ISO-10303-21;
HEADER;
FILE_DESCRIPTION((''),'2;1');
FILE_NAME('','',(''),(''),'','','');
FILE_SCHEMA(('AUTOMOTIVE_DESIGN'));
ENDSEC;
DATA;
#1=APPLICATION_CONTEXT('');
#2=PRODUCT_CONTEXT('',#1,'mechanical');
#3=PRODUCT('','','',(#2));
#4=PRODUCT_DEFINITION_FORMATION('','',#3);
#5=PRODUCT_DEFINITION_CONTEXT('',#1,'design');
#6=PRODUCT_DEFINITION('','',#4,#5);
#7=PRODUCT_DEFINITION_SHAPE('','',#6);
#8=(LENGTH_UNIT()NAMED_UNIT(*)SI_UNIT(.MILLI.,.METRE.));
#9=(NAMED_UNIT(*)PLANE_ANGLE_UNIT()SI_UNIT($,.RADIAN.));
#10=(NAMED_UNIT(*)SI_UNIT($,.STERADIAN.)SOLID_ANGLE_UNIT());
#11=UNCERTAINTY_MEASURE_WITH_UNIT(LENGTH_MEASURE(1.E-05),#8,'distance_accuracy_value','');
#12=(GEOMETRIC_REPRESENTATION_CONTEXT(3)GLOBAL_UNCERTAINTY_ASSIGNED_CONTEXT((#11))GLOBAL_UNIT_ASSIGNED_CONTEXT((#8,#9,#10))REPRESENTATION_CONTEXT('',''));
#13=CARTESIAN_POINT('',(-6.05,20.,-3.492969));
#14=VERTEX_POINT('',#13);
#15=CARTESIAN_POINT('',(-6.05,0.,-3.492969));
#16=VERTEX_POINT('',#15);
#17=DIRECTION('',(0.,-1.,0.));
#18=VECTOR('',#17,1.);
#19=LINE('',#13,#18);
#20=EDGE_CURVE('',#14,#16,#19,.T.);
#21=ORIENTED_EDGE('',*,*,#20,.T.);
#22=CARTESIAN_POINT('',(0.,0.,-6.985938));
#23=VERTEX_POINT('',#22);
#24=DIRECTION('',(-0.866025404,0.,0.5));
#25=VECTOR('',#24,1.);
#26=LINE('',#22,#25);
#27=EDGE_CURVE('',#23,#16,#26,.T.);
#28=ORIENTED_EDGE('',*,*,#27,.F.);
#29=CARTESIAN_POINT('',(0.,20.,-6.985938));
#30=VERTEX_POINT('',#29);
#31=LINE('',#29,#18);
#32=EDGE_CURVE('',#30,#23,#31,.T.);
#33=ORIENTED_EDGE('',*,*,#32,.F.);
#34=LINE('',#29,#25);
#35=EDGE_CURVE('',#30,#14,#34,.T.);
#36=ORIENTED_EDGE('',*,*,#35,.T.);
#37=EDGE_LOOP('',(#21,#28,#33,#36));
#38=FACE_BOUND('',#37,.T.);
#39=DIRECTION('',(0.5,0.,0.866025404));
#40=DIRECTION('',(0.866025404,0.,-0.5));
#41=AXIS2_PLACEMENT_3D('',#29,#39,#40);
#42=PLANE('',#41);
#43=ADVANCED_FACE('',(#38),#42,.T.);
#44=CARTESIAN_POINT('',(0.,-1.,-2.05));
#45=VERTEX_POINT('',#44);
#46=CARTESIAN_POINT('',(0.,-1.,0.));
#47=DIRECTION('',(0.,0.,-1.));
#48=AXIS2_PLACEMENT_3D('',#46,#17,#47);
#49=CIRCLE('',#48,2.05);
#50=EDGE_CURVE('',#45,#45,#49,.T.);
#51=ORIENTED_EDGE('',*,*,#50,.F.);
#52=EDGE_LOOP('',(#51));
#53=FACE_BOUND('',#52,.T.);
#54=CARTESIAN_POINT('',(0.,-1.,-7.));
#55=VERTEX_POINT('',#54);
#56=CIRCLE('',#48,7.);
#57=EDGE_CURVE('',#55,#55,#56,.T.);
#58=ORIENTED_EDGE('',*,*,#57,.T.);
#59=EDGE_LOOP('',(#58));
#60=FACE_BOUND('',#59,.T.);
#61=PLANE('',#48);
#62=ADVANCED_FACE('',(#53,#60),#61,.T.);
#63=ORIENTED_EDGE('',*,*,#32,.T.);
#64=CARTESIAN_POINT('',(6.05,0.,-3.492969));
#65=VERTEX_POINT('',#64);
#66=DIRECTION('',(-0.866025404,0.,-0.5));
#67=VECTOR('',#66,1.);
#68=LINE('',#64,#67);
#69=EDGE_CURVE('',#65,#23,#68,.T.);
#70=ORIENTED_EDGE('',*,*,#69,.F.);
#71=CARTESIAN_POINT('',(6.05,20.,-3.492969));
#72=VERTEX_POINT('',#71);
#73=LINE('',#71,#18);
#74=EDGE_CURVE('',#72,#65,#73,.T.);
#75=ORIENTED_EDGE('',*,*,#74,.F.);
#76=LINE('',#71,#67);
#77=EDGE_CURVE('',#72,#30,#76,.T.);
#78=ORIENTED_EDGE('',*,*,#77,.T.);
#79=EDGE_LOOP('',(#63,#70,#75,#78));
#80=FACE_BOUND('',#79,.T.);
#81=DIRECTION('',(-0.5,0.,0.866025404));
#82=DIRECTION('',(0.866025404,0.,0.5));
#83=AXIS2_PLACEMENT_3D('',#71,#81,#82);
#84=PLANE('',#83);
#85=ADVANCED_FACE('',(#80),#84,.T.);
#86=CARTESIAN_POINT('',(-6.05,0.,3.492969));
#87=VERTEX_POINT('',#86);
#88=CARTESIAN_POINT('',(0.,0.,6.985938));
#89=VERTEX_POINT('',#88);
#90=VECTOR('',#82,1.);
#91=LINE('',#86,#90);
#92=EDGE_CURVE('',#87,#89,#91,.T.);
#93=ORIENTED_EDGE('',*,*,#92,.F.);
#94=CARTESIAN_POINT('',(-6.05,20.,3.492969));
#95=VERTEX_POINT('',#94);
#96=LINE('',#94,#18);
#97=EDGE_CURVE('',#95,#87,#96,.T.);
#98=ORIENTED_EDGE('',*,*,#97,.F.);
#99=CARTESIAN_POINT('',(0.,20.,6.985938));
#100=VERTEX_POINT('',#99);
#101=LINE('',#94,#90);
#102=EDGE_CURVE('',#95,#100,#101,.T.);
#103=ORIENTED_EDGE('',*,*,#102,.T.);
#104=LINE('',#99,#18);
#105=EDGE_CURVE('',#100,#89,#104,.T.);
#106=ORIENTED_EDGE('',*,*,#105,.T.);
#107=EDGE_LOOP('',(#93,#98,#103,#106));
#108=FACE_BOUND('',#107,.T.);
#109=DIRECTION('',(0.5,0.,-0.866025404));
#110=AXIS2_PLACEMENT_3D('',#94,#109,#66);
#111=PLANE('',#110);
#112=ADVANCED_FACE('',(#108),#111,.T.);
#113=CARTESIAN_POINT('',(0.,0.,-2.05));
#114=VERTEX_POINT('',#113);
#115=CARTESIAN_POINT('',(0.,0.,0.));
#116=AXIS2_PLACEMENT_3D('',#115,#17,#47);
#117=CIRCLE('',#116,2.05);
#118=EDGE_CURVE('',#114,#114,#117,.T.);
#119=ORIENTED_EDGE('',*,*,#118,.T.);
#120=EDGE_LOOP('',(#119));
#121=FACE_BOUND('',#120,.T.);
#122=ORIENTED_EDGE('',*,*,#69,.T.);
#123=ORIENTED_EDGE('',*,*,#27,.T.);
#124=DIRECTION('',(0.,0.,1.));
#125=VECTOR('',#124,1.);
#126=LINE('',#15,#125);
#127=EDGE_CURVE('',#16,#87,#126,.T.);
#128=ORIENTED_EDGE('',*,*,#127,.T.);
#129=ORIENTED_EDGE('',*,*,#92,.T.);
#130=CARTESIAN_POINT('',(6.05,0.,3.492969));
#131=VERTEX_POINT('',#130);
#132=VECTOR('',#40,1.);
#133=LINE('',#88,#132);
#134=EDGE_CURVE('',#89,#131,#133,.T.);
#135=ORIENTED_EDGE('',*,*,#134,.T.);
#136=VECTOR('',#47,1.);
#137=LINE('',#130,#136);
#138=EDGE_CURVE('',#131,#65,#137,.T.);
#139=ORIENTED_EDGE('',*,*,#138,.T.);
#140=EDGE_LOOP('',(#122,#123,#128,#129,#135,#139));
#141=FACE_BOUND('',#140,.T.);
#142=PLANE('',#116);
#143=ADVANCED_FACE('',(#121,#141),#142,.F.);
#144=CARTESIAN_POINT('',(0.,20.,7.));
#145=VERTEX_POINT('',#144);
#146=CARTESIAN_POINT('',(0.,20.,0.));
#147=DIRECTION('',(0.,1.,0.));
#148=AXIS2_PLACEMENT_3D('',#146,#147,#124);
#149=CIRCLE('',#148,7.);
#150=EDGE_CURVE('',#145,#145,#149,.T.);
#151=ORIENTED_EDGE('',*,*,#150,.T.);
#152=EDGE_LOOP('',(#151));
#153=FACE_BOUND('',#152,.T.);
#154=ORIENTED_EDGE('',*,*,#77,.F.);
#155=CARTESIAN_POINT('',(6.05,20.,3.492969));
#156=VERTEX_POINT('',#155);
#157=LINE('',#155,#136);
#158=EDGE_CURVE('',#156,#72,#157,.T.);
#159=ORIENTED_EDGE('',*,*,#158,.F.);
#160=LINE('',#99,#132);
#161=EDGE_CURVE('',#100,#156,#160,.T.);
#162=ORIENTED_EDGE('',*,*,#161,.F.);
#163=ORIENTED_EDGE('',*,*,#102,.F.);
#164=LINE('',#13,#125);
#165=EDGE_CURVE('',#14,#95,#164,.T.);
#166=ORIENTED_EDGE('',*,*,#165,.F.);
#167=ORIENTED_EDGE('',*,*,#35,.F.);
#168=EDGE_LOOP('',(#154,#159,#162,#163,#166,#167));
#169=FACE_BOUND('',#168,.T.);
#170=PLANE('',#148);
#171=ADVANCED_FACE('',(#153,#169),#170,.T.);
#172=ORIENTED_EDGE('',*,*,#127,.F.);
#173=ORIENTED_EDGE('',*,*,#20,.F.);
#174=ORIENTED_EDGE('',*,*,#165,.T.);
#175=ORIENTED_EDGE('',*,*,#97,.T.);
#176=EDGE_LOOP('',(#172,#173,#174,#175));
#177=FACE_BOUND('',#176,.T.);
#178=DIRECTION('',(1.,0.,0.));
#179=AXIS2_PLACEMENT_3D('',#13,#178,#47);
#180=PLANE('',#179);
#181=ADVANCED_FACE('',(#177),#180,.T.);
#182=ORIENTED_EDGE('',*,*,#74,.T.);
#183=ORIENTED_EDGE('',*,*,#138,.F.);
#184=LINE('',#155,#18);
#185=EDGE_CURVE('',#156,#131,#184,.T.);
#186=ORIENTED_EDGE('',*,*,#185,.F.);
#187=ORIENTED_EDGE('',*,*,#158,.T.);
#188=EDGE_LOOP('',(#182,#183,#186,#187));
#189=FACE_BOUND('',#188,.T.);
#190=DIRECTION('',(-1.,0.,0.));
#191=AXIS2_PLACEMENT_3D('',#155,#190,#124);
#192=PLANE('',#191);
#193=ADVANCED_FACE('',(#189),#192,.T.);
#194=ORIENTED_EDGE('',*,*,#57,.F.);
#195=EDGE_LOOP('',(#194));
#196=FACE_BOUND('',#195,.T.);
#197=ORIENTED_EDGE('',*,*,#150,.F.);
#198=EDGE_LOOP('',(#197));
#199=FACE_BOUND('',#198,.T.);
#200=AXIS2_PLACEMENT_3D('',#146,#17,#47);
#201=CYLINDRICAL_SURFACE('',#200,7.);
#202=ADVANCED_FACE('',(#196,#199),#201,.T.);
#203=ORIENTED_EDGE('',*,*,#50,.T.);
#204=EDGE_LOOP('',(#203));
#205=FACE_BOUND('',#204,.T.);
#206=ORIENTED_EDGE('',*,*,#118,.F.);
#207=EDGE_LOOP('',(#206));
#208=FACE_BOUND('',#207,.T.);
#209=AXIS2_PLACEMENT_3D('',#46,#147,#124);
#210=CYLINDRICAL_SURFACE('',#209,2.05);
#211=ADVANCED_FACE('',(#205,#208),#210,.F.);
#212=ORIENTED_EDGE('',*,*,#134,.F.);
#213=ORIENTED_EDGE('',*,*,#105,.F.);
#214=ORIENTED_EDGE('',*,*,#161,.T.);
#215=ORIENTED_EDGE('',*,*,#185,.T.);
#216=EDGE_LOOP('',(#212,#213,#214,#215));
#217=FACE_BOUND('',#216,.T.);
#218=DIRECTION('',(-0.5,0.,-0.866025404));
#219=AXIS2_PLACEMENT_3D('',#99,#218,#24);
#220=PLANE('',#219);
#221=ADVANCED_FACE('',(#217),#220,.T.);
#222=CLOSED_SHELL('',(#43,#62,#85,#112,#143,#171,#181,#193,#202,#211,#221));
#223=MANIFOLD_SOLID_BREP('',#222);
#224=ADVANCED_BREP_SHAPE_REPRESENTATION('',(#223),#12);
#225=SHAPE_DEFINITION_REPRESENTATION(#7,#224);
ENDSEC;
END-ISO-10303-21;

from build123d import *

# Parameters (mm, degrees)
SKETCH1_R           = 7
BOSS_EXTRUDE1_DEPTH = 20
BOSS_EXTRUDE2_START = 1
SKETCH2_R           = 7
SKETCH2_R_2         = 2.05
BOSS_EXTRUDE2_DEPTH = 1


with BuildPart() as part:
    # Sketch1 → Boss-Extrude1 (new body)
    with BuildSketch(Plane(origin=(0, 0, 0), x_dir=(1, 0, 0), z_dir=(0, 1, 0))):
        with Locations(Location((0, 0, 0), (0, 0, 270))):
            Circle(SKETCH1_R)
        Polygon((0, 6.985938257), (-6.05, 3.492969129), (-6.05, -3.492969129), (0, -6.985938257), (6.05, -3.492969129), (6.05, 3.492969129), align=None, mode=Mode.SUBTRACT)
    extrude(amount=BOSS_EXTRUDE1_DEPTH)

    # Sketch2 → Boss-Extrude2 (add)
    with BuildSketch(Plane.XZ.offset(BOSS_EXTRUDE2_START)):
        with Locations(Location((0, 0, 0), (0, 0, 270))):
            Circle(SKETCH2_R)
        with Locations(Location((0, 0, 0), (0, 0, 270))):
            Circle(SKETCH2_R_2, mode=Mode.SUBTRACT)
    extrude(amount=-BOSS_EXTRUDE2_DEPTH)


solid = part.part
